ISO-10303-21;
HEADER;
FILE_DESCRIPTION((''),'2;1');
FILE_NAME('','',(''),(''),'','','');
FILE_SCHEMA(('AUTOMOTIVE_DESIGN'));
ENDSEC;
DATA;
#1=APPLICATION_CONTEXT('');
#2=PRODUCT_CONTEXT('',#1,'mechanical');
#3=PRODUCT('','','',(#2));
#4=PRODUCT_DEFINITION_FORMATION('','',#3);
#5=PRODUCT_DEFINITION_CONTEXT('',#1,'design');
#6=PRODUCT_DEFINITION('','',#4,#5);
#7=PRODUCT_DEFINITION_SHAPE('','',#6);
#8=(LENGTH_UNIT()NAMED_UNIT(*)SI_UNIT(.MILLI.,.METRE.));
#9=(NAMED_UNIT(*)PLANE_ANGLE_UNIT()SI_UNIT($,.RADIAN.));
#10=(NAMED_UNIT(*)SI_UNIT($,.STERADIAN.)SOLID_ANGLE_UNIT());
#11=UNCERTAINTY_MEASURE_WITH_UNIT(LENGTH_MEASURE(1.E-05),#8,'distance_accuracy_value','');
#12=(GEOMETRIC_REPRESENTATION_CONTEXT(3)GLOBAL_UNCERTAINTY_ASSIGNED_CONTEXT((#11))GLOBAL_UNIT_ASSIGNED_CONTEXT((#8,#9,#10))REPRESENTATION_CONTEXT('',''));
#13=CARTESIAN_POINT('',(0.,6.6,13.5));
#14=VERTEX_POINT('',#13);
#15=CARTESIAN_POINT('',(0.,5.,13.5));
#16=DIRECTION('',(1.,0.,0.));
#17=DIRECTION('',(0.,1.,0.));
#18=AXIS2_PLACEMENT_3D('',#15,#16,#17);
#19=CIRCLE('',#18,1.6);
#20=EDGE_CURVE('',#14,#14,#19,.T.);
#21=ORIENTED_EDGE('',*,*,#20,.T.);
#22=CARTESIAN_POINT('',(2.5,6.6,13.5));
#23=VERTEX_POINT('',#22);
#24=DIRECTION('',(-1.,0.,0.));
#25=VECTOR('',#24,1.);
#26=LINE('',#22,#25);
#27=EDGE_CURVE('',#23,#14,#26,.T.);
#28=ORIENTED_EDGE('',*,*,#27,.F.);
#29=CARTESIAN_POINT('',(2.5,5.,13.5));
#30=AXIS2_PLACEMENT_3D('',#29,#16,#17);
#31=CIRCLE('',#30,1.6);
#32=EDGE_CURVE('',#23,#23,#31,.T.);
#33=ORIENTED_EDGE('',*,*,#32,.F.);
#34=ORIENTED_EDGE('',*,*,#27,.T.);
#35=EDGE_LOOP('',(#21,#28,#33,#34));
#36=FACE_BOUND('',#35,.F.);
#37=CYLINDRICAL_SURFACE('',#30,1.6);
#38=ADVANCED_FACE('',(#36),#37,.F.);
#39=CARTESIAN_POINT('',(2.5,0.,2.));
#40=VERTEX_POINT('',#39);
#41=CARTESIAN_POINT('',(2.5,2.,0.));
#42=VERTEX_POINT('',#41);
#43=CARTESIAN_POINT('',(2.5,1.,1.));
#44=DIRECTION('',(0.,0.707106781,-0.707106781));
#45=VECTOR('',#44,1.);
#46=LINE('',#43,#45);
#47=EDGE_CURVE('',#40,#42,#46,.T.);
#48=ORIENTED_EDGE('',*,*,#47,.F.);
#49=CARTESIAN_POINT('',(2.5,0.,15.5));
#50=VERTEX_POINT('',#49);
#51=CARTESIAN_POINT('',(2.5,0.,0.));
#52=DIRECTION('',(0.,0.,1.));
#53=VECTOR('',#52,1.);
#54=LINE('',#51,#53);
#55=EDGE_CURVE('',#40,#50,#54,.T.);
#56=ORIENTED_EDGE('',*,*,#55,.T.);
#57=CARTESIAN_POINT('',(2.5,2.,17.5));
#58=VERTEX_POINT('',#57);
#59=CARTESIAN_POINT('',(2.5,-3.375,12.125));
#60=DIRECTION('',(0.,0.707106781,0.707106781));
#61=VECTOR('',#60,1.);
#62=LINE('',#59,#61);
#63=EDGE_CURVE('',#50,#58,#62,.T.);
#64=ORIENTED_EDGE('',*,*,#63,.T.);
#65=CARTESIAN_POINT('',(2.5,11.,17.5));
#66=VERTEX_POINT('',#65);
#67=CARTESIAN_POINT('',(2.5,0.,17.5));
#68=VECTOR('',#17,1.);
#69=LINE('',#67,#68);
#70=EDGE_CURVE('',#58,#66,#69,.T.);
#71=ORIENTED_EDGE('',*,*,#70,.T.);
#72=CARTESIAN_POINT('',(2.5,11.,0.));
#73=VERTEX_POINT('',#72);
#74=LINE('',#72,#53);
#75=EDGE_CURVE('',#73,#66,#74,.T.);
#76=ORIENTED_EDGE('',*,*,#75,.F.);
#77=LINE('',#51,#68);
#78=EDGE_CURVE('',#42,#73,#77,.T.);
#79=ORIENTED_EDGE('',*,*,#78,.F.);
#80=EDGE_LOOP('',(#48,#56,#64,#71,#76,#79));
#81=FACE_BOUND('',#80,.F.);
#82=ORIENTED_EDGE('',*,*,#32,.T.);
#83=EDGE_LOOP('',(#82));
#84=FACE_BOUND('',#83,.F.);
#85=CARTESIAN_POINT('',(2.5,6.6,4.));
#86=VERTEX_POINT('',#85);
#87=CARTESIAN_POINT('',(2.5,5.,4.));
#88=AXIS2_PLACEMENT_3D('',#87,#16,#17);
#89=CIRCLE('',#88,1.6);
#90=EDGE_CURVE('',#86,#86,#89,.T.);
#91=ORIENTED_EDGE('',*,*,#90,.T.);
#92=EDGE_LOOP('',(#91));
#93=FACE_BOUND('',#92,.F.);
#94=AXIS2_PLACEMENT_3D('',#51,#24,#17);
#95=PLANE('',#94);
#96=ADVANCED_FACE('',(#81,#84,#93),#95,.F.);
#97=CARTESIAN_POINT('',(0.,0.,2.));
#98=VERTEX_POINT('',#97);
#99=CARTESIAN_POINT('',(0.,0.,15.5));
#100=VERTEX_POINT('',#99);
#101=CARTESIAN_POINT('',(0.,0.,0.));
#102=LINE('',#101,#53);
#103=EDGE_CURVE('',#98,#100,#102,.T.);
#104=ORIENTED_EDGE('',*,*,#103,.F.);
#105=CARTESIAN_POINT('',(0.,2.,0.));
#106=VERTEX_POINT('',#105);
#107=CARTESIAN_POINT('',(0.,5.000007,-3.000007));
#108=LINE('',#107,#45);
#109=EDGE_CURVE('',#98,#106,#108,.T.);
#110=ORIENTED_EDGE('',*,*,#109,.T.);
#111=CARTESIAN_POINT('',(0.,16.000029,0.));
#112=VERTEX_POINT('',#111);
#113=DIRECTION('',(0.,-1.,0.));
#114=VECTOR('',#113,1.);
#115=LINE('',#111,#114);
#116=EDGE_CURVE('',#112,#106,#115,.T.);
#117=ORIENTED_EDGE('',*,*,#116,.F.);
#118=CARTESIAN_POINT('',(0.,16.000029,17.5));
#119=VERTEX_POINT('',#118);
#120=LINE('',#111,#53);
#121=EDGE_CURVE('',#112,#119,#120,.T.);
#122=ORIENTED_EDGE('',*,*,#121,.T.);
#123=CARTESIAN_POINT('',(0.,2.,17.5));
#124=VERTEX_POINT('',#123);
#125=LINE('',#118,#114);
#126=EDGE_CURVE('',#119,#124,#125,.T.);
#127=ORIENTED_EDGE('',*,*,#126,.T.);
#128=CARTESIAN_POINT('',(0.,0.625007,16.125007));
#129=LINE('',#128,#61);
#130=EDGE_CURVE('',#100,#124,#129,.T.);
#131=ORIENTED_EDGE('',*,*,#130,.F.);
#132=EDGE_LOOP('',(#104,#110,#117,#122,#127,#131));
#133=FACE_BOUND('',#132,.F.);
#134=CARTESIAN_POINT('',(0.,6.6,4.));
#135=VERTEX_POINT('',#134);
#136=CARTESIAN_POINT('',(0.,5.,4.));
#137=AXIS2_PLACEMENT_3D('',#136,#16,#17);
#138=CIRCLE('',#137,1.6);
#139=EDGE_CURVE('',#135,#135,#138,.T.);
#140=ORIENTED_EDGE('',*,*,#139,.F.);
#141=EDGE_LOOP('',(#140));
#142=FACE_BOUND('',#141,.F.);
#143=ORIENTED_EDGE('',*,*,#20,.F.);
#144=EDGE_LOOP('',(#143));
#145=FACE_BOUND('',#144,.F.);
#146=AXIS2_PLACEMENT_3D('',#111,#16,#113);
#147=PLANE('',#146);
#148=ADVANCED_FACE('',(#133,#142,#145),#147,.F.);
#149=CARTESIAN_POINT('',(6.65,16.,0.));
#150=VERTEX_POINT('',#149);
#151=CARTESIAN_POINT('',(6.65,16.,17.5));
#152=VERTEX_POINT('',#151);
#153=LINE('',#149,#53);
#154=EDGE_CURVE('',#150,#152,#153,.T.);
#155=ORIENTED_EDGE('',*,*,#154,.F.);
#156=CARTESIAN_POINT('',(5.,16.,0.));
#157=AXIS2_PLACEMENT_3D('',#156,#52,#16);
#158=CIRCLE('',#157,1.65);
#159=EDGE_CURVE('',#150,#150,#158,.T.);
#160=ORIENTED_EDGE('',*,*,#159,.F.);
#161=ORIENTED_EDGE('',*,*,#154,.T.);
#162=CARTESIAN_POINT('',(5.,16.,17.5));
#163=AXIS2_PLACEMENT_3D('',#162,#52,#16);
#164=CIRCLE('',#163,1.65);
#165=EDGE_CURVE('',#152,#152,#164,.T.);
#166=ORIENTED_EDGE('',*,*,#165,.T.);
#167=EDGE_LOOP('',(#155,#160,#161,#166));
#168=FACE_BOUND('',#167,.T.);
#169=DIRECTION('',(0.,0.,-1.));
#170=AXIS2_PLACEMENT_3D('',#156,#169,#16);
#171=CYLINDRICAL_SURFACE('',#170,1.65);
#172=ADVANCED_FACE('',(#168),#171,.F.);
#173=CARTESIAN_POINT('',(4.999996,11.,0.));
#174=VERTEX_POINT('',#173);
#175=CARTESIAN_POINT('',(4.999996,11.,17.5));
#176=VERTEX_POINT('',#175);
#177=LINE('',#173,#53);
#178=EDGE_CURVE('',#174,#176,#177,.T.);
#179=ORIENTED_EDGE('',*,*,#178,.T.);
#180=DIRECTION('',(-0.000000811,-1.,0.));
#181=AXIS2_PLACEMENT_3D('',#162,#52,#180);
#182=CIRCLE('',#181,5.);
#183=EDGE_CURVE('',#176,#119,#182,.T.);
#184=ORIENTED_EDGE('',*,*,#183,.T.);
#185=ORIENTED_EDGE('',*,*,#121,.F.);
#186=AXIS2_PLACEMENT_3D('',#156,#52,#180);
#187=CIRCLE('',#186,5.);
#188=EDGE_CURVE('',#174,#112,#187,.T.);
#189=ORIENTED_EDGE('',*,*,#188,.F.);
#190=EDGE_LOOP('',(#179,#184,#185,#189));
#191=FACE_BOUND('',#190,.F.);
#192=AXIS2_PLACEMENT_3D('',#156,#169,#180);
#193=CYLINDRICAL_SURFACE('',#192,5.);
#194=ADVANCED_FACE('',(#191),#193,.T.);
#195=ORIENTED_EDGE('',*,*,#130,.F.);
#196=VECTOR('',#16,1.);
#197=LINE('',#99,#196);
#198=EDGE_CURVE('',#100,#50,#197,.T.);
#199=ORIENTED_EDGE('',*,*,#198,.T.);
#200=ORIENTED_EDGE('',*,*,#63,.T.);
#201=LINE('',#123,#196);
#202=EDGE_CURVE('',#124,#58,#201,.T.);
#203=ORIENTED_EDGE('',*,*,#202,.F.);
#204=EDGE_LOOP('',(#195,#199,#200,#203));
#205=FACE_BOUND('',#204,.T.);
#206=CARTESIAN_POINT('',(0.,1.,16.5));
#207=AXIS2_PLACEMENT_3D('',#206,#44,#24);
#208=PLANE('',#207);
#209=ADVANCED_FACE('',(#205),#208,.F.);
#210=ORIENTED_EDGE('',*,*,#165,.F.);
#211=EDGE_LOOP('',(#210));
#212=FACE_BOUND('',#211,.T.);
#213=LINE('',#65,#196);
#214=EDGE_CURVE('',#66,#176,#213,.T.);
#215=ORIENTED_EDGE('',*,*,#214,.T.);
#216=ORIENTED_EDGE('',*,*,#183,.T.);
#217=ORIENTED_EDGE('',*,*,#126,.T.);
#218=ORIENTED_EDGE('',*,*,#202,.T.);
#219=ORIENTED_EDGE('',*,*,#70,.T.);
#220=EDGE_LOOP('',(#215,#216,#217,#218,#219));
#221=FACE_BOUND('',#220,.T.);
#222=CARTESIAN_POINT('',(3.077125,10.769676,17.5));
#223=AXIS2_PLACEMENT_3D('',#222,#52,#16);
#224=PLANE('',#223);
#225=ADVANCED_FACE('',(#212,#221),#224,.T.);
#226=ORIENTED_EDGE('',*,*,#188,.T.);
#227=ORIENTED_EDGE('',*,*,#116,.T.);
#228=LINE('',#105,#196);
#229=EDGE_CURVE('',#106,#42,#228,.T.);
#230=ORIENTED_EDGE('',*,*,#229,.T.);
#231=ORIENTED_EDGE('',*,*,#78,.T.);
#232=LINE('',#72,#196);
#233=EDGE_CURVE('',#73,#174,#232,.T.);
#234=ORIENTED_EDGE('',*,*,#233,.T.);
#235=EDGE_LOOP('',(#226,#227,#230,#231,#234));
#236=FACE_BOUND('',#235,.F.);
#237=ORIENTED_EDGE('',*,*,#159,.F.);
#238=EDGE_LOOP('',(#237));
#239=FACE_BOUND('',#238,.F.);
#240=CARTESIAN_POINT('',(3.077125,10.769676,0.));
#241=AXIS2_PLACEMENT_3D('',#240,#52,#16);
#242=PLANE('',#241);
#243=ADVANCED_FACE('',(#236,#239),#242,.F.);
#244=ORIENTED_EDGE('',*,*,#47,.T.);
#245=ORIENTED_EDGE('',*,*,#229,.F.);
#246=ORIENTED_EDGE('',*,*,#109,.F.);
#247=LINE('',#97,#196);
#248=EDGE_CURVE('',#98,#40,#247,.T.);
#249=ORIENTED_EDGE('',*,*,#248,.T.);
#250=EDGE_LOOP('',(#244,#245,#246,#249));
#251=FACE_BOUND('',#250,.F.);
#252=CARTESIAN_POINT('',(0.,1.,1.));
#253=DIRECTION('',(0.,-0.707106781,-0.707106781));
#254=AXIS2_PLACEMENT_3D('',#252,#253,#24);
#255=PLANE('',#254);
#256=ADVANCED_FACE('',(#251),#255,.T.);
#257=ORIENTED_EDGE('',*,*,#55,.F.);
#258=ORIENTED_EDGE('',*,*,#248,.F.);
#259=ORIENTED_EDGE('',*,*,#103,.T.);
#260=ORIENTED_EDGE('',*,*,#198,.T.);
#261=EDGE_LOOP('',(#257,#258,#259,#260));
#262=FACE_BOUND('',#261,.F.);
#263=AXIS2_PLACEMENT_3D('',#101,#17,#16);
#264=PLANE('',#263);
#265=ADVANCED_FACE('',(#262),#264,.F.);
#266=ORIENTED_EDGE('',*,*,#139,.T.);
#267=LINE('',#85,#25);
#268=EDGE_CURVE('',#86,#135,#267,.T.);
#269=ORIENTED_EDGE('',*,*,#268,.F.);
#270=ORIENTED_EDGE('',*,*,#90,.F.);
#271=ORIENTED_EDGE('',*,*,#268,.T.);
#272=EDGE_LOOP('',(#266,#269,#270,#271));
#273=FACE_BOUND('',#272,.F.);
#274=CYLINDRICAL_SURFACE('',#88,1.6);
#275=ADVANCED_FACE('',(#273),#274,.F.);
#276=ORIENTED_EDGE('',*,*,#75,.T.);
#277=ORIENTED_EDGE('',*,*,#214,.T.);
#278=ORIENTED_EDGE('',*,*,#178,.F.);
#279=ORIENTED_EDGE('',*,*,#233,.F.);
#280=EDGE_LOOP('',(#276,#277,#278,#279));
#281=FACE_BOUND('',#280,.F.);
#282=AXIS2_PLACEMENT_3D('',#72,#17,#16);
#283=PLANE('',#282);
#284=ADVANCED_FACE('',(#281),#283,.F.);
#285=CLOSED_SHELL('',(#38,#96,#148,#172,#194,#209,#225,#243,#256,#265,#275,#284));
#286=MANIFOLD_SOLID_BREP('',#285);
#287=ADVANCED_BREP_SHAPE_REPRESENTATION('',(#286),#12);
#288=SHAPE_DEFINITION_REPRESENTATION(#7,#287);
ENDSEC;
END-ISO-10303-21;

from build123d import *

# Parameters (mm, degrees)
SKETCH_R     = 1.65
PAD_DEPTH    = 17.5
SKETCH001_R  = 1.6
POCKET_DEPTH = 5
CHAMFER_SIZE = 2


with BuildPart() as part:
    # Sketch → Pad (new body)
    with BuildSketch(Plane.XY):
        with BuildLine():
            Line((0, 0), (2.5, 0))
            Line((2.5, 0), (2.5, 11))
            Line((2.5, 11), (4.999996, 11))
            ThreePointArc((4.999996, 11), (8.535546, 19.535522), (0, 16.000029))
            Line((0, 16.000029), (0, 0))
        make_face()
        with Locations((5, 16)):
            Circle(SKETCH_R, mode=Mode.SUBTRACT)
    extrude(amount=PAD_DEPTH)

    # Sketch001 → Pocket (cut)
    with BuildSketch(Plane.YZ.offset(2.5)):
        with Locations((5, 13.5)):
            Circle(SKETCH001_R)
        with Locations((5, 4)):
            Circle(SKETCH001_R)
    extrude(amount=-POCKET_DEPTH, mode=Mode.SUBTRACT)

    # Chamfer
    chamfer_edges = [part.edges().sort_by_distance(p)[0] for p in [
        (1.25, 0, 17.5),
        (1.25, 0, 0),
    ]]
    chamfer(chamfer_edges, length=CHAMFER_SIZE)


solid = part.part
